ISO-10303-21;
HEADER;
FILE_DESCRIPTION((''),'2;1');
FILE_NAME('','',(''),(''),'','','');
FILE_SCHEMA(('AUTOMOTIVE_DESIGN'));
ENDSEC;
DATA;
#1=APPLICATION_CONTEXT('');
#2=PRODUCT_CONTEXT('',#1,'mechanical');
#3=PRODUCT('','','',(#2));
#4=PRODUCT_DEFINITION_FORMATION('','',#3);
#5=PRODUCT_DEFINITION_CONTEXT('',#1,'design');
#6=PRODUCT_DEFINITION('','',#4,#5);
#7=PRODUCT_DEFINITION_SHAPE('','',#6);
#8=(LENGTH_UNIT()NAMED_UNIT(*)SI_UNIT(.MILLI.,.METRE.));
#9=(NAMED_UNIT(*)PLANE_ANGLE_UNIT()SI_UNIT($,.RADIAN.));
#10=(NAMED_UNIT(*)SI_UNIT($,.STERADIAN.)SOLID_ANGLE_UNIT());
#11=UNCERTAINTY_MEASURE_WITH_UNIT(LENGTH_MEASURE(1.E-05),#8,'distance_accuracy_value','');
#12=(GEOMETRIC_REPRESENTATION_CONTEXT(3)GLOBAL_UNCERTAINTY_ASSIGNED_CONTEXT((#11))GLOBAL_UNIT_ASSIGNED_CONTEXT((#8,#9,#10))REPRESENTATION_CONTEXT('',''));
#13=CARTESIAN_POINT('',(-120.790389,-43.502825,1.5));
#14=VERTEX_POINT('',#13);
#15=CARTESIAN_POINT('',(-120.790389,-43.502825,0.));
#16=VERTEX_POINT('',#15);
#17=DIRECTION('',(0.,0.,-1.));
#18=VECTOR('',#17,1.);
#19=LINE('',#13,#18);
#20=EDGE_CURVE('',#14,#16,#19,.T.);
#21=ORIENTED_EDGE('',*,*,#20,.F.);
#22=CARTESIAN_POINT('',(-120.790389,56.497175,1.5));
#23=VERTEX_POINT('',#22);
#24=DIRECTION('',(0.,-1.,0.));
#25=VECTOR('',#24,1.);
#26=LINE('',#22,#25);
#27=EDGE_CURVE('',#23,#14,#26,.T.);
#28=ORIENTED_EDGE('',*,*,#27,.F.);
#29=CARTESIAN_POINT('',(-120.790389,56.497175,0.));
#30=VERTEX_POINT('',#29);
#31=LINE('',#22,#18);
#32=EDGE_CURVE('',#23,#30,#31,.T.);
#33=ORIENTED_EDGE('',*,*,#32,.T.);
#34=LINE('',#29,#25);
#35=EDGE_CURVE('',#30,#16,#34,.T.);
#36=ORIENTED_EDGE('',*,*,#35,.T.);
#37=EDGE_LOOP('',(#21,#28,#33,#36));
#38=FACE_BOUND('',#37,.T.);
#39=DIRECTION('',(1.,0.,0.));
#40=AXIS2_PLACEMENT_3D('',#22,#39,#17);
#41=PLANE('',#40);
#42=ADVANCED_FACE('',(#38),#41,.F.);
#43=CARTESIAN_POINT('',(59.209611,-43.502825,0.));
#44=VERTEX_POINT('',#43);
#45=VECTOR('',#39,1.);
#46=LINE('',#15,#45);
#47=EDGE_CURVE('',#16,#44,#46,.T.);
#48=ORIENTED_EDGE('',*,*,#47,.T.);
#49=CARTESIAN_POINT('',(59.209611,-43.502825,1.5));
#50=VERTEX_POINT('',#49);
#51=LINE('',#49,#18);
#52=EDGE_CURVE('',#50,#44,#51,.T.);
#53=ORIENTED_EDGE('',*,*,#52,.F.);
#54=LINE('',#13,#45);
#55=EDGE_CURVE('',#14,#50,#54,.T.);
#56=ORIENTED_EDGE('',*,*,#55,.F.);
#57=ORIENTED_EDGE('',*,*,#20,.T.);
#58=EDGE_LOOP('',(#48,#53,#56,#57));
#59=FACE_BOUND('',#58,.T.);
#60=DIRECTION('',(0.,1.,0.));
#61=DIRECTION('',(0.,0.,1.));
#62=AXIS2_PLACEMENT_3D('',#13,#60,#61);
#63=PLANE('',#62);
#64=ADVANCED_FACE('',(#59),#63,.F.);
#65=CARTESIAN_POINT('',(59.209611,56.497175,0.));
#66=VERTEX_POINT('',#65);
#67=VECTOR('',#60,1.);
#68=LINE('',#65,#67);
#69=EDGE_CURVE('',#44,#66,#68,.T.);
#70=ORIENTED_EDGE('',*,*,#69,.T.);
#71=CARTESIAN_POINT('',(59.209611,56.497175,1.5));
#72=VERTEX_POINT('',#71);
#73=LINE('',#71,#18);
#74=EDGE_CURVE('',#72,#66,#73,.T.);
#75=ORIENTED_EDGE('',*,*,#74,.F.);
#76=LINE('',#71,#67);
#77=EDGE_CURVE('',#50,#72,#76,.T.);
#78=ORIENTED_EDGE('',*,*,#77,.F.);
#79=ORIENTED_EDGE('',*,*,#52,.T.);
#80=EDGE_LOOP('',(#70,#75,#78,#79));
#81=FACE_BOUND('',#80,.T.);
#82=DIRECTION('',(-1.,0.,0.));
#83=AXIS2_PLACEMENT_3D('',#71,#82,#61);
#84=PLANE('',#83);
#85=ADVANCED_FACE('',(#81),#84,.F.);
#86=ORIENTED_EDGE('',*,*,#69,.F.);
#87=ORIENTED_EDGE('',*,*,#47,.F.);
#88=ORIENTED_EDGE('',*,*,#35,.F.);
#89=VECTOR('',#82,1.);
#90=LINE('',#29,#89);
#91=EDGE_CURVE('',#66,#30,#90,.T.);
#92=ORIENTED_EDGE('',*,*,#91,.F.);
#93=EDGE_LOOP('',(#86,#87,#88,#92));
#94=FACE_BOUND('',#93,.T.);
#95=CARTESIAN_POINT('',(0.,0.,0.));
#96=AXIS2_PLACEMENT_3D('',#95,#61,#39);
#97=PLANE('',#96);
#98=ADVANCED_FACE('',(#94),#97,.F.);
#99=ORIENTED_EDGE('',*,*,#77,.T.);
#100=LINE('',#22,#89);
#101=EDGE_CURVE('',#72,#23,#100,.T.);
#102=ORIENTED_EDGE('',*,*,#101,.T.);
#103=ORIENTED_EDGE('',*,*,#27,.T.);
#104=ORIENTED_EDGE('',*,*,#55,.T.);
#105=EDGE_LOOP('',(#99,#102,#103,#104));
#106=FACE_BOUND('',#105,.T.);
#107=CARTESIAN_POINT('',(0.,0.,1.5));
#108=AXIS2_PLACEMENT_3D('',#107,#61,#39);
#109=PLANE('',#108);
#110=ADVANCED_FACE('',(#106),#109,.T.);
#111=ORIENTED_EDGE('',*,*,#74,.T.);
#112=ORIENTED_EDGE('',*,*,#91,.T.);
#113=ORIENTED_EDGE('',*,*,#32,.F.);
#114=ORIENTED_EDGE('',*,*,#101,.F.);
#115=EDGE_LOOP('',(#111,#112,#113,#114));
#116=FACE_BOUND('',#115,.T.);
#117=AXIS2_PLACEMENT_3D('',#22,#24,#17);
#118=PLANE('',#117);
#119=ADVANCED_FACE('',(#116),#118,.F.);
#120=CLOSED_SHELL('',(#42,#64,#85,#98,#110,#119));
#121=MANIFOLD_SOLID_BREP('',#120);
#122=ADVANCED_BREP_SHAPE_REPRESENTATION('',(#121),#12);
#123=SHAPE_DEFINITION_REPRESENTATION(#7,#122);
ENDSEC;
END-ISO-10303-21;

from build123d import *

# Parameters (mm, degrees)
SKETCH_1_W      = 180
SKETCH_1_H      = 100
EXTRUDE_1_DEPTH = 1.5


with BuildPart() as part:
    # 草圖1 → 填料-伸長1 (new body)
    with BuildSketch(Plane.XY):
        with Locations((-30.790388536, 6.497175141)):
            Rectangle(SKETCH_1_W, SKETCH_1_H)
    extrude(amount=EXTRUDE_1_DEPTH)


solid = part.part
